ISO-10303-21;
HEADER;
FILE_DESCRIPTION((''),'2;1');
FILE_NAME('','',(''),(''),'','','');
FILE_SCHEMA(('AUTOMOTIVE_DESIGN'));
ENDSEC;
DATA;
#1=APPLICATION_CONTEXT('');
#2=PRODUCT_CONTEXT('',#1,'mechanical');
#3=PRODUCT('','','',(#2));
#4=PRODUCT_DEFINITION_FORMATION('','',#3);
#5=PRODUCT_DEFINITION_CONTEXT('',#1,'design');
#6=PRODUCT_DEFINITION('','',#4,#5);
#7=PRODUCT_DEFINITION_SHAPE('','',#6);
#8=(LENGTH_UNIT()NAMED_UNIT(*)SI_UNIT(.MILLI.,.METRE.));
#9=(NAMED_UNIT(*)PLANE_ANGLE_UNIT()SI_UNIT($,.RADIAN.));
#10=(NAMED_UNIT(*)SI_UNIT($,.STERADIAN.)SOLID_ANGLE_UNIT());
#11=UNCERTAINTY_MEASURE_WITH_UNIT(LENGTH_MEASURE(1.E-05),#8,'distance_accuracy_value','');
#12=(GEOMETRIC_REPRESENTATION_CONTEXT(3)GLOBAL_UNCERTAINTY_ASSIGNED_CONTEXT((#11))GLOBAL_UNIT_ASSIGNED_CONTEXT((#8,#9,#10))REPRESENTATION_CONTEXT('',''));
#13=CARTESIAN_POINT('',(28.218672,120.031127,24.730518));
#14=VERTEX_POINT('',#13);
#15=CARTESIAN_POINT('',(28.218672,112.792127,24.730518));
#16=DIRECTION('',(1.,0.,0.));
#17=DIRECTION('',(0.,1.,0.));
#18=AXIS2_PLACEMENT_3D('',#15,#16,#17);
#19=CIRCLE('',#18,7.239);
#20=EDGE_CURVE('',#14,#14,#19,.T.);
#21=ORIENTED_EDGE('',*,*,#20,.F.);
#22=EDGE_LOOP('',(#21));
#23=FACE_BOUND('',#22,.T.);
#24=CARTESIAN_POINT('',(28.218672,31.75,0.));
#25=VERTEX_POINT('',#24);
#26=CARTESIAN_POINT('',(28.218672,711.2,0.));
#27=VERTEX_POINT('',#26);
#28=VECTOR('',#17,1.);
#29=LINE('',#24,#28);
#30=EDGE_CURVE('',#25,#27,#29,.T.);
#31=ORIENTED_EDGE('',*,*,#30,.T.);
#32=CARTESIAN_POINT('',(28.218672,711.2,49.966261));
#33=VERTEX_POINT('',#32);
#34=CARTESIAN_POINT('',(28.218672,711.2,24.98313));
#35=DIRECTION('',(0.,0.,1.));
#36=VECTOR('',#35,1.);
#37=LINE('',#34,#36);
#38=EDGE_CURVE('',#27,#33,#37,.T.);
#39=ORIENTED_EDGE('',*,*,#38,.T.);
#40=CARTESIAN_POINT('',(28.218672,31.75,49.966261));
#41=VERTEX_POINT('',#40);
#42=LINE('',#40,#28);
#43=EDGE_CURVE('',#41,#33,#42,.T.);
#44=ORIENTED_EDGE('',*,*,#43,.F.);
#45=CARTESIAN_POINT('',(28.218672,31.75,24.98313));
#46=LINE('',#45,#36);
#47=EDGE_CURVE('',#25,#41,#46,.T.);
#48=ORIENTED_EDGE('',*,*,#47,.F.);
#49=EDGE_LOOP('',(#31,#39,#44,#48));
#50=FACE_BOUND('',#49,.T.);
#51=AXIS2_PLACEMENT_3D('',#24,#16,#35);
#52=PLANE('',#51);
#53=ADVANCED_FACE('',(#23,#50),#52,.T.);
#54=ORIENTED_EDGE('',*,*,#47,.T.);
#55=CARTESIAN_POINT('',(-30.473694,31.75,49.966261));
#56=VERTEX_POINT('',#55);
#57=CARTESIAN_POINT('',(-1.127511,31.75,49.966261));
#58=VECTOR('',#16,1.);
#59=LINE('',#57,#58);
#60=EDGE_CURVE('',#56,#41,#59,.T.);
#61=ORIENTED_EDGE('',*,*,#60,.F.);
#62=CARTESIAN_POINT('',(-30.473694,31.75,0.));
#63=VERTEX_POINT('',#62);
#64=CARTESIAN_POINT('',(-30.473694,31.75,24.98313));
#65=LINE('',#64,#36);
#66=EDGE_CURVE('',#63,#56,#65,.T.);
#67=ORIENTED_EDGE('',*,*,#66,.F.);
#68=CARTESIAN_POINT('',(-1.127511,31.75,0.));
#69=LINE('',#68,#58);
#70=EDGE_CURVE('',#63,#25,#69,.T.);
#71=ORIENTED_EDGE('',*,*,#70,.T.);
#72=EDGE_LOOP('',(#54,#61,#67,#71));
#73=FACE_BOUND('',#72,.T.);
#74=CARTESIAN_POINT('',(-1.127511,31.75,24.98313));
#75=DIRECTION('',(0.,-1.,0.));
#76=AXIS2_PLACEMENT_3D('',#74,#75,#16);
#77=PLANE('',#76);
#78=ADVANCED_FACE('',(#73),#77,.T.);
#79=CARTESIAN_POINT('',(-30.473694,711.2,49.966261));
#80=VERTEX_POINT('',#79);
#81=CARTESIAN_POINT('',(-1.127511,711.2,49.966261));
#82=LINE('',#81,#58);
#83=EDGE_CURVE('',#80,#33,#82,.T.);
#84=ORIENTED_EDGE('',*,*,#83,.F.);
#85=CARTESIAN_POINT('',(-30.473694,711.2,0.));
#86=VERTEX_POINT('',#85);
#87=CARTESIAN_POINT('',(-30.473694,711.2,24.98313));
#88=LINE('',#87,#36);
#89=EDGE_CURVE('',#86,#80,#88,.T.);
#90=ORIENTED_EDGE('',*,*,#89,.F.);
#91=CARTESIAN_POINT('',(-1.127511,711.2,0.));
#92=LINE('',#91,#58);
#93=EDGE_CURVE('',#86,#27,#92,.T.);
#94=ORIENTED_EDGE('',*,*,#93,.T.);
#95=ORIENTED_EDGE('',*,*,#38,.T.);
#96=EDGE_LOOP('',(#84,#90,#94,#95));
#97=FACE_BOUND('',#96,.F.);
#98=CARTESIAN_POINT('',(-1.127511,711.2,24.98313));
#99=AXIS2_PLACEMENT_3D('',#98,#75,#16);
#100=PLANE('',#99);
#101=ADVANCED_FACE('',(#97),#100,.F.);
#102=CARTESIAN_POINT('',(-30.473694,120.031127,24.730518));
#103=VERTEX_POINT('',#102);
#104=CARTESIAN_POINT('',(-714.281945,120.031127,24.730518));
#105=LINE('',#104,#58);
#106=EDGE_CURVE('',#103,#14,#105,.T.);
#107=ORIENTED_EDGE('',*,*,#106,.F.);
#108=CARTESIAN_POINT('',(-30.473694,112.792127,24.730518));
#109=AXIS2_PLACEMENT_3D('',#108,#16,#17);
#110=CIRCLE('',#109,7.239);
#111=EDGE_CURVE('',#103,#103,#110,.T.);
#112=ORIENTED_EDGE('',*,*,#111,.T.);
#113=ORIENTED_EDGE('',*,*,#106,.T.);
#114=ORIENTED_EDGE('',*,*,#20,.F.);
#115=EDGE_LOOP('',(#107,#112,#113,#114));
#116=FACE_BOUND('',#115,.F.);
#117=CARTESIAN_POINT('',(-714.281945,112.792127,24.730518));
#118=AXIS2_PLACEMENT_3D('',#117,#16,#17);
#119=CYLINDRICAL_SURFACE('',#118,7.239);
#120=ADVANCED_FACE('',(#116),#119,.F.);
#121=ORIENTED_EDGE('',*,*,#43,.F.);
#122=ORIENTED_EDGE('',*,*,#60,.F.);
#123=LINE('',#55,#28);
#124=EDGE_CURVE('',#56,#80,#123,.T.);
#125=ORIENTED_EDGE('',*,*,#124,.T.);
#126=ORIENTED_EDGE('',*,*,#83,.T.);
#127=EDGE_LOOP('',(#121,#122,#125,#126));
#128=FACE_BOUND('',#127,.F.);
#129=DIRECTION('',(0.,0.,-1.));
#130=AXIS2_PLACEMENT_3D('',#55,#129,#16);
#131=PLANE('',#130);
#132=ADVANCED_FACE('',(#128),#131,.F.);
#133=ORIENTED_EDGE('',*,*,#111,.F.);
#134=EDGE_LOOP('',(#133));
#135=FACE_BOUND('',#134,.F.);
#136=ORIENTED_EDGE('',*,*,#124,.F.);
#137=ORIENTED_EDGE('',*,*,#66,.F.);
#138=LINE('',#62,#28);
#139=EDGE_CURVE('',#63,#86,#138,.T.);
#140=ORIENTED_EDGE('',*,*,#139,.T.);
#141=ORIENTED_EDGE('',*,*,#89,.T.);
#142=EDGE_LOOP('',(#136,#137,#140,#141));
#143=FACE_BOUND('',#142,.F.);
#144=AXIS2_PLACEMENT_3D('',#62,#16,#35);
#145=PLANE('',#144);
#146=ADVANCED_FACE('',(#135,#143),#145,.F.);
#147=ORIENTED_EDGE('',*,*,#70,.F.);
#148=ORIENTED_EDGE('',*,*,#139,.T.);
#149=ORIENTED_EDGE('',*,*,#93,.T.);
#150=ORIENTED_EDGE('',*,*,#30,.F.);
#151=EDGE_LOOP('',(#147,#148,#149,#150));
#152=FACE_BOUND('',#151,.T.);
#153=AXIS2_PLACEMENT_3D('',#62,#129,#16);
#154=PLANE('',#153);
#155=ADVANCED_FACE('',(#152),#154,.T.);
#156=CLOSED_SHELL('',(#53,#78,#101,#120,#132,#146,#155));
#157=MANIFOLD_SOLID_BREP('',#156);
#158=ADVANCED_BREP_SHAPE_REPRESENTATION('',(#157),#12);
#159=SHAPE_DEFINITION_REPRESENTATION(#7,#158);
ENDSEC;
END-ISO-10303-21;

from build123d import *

# Parameters (mm, degrees)
F1_START = -31.75
F0_W     = 58.6923658848
F0_H     = 49.9662607908
F1_DEPTH = 679.45
F4_D     = 14.478


with BuildPart() as f1:
    # F0 (on Front) → F1 (new body)
    with BuildSketch(Plane.XZ.offset(F1_START)):
        with Locations((-1.1275112629, 24.9831303954)):
            Rectangle(F0_W, F0_H)
    extrude(amount=-F1_DEPTH)

    # F4 (through all)
    with Locations(Plane(origin=(-30.4736942053, 0, 0), x_dir=(0, -1, 0), z_dir=(-1, 0, 0))):
        with Locations((-112.7921268344, 24.7305184603)):
            Hole(F4_D / 2)


solid = f1.part
